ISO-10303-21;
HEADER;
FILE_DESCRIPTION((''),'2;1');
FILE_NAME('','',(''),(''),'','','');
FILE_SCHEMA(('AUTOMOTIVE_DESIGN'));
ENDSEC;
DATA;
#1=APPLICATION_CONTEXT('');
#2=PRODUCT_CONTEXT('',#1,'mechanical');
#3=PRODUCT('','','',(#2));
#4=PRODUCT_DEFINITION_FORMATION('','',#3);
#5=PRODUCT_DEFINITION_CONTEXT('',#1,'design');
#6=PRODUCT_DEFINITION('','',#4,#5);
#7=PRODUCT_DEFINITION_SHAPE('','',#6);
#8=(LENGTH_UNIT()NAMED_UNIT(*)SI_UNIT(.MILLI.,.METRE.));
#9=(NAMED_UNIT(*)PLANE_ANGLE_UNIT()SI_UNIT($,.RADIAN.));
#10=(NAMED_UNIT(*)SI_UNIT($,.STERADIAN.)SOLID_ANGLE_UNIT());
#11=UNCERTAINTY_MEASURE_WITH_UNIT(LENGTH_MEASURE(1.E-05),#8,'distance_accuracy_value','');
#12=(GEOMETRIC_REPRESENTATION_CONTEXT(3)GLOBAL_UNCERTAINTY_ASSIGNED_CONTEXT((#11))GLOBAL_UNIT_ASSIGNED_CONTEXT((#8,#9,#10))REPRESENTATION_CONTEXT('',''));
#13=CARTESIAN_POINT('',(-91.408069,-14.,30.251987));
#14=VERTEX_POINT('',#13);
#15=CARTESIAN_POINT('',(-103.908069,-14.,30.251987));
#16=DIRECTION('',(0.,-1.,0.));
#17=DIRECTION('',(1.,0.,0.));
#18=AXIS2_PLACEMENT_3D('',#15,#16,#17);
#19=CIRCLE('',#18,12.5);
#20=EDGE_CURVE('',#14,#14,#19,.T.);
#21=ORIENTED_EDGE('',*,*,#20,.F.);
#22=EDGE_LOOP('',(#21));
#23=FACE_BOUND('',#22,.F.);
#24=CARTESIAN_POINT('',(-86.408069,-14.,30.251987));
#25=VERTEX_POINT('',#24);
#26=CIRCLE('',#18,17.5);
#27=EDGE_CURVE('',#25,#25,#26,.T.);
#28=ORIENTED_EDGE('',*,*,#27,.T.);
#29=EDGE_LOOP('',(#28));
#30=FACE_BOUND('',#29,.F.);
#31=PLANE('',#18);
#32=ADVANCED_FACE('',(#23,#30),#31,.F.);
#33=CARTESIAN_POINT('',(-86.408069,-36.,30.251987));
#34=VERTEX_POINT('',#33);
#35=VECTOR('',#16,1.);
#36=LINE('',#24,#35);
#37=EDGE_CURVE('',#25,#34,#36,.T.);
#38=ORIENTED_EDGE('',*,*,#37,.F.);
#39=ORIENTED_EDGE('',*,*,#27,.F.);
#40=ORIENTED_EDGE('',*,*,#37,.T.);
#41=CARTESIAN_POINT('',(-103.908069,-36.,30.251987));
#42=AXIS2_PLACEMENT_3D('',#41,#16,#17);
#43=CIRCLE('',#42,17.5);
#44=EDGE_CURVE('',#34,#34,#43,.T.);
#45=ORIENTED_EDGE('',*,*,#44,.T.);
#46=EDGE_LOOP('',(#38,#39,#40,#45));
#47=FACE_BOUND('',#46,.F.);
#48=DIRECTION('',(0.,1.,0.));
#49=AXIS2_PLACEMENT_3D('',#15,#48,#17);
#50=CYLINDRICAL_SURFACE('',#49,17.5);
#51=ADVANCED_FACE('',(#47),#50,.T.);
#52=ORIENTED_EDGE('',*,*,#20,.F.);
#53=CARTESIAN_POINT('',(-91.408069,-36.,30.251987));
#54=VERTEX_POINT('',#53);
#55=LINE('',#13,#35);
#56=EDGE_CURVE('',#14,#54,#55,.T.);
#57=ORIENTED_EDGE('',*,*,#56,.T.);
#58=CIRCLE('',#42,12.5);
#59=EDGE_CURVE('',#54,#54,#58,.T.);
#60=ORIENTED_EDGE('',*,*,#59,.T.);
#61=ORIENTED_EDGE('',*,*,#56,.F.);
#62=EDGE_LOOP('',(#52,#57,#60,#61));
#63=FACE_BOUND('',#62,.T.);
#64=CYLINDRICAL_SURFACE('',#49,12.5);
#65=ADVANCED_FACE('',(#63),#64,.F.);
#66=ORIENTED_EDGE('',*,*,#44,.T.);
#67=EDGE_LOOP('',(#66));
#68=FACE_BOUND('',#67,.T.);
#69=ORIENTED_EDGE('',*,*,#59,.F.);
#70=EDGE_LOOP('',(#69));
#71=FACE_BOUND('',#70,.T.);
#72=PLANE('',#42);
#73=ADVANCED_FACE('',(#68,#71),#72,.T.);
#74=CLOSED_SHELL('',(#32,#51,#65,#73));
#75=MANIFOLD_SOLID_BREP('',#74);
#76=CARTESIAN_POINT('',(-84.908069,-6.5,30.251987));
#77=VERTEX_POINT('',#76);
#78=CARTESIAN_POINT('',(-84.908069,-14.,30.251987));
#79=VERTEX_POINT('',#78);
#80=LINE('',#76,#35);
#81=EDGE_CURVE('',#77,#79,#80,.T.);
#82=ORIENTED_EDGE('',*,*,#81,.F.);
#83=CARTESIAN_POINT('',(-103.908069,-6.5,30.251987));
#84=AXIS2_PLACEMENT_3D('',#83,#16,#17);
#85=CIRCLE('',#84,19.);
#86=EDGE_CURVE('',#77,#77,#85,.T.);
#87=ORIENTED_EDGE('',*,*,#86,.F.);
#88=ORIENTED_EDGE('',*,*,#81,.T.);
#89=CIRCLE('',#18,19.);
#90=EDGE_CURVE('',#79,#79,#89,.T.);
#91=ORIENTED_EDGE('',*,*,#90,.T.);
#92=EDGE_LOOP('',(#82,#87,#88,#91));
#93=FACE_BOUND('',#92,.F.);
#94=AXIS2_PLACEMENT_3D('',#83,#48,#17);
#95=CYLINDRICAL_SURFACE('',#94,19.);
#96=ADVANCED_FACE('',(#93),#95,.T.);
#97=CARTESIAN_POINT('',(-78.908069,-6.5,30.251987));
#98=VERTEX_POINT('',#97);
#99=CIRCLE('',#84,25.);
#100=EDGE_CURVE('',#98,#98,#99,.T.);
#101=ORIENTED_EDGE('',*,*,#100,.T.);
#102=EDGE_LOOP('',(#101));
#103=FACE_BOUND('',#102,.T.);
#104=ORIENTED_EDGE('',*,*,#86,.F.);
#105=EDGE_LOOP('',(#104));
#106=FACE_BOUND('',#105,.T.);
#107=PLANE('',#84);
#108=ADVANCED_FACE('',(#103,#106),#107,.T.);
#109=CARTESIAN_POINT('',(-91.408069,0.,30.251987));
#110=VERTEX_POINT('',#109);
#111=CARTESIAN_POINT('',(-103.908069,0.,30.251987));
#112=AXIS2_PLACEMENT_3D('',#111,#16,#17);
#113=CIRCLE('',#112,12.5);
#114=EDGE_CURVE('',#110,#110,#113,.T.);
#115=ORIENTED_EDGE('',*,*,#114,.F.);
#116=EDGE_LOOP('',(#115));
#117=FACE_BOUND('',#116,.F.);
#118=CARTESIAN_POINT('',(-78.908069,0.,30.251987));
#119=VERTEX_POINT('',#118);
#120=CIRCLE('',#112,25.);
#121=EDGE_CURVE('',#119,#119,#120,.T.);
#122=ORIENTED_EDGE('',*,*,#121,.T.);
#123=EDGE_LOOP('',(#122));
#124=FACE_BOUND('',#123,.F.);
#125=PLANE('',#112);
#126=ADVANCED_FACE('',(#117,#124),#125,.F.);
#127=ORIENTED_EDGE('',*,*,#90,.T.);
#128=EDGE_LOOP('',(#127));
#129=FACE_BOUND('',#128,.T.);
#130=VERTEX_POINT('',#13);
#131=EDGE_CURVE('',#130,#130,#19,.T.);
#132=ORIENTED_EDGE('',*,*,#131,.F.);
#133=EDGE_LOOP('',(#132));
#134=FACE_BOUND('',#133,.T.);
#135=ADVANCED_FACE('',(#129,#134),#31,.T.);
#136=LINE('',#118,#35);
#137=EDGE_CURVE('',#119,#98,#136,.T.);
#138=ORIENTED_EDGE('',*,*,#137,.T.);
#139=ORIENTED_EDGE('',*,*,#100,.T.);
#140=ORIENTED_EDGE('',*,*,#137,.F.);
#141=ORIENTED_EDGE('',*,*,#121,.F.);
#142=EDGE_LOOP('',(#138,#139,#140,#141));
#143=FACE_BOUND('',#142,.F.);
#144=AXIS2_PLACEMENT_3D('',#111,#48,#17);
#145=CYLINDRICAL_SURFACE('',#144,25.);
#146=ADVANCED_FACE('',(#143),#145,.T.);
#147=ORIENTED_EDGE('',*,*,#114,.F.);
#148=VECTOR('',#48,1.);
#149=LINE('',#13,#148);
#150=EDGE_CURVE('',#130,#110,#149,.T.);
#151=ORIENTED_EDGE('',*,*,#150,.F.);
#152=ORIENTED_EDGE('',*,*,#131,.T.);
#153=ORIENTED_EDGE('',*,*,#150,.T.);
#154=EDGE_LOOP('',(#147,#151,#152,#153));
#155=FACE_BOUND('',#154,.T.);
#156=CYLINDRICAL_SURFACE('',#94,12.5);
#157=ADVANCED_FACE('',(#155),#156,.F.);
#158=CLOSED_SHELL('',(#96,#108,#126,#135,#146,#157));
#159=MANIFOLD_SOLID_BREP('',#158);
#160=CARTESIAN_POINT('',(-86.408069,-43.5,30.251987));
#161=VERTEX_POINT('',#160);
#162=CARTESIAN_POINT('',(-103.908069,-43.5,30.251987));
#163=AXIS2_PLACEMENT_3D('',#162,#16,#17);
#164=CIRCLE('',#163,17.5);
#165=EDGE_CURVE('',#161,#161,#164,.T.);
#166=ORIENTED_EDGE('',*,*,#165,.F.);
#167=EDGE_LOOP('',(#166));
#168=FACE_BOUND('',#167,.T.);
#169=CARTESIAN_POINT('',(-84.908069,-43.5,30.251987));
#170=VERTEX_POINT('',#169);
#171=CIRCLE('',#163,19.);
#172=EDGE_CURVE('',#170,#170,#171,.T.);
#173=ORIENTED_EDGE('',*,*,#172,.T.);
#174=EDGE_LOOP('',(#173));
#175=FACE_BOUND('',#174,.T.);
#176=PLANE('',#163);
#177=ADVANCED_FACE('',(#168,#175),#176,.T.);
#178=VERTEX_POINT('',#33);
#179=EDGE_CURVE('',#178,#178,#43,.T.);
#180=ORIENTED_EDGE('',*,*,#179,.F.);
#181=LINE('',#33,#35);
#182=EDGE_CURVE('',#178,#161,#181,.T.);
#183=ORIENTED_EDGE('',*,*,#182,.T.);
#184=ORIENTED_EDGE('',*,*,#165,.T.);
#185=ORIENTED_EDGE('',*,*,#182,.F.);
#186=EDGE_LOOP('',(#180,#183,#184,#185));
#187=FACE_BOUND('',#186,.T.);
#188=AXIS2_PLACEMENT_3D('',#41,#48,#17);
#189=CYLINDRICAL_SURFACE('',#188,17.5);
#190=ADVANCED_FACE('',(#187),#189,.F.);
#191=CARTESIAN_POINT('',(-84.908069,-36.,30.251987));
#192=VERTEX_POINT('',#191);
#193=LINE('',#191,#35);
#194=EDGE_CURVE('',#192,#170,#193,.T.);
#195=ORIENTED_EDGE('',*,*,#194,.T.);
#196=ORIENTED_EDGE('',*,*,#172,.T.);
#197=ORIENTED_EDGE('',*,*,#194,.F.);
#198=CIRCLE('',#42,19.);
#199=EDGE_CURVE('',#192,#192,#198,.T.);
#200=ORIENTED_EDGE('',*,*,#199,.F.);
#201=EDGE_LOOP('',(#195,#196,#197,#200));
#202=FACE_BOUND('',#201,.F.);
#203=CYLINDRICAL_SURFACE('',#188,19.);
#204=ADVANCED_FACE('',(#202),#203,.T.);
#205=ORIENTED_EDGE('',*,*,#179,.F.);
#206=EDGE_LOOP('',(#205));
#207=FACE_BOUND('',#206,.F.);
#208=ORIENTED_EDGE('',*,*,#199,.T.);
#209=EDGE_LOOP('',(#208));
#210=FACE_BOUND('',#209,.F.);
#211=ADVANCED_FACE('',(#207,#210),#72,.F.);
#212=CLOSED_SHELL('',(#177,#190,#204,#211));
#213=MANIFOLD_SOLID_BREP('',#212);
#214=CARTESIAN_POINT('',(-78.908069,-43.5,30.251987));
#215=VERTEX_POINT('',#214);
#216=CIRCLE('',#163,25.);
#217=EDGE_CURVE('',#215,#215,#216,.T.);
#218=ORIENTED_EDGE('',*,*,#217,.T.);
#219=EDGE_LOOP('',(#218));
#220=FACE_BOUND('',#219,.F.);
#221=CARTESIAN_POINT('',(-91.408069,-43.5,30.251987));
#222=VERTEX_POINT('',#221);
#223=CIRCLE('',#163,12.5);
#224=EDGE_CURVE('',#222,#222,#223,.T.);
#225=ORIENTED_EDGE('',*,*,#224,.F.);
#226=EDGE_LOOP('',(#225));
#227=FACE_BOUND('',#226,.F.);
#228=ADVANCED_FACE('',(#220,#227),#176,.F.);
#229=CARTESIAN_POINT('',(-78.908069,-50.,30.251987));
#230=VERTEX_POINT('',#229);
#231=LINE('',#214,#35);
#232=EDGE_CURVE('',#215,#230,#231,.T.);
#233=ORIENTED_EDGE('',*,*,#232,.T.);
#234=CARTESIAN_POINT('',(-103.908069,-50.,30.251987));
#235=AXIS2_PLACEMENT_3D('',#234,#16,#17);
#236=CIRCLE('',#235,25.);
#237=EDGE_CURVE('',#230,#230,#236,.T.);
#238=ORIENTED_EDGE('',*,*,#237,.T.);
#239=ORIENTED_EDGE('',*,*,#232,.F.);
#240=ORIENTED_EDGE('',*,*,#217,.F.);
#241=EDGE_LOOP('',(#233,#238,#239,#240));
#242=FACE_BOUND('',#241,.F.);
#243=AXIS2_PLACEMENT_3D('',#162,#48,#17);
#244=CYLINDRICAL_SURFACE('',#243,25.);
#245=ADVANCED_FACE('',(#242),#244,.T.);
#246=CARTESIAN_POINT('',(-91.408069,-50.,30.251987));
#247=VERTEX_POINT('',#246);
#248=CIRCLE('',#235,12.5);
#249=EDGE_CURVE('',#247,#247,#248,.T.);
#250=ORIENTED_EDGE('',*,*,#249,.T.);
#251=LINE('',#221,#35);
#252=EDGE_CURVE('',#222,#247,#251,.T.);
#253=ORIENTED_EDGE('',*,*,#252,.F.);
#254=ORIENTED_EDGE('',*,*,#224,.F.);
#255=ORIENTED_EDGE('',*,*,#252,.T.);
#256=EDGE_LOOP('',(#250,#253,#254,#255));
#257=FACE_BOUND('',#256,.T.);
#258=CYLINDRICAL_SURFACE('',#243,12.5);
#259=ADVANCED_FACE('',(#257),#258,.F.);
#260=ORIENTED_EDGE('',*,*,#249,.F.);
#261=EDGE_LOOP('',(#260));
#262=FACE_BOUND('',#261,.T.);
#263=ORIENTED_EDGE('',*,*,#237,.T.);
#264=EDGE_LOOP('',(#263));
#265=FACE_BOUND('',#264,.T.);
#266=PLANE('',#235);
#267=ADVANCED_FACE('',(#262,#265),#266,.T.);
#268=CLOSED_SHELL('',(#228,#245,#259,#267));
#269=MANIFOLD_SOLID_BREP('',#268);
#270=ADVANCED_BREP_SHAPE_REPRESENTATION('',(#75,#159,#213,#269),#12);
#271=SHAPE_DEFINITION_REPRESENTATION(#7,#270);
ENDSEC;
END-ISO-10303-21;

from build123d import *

# Parameters (mm, degrees)
F0_R     = 25
F0_R_2   = 12.5
F1_DEPTH = 6.5
F2_R     = 19
F2_R_2   = 12.5
F3_DEPTH = 7.5
F4_R     = 17.5
F4_R_2   = 12.5
F5_DEPTH = 22
F6_R     = 19
F6_R_2   = 17.5
F7_DEPTH = 7.5
F8_R     = 25
F8_R_2   = 19
F8_R_3   = 17.5
F8_R_4   = 12.5
F9_DEPTH = 6.5


with BuildPart() as f1:
    # F0 (on Front) → F1 (new body)
    with BuildSketch(Plane.XZ):
        with Locations((-103.9080694318, 30.2519872785)):
            Circle(F0_R)
        with Locations((-103.9080694318, 30.2519872785)):
            Circle(F0_R_2, mode=Mode.SUBTRACT)
    extrude(amount=F1_DEPTH)

    # F2 (on face) → F3 (join)
    with BuildSketch(Plane.XZ.offset(6.5)):
        with Locations((-103.9080694318, 30.2519872785)):
            Circle(F2_R)
        with Locations((-103.9080694318, 30.2519872785)):
            Circle(F2_R_2, mode=Mode.SUBTRACT)
    extrude(amount=F3_DEPTH)


with BuildPart() as f5:
    # F4 (on face) → F5 (new body)
    with BuildSketch(Plane.XZ.offset(14)):
        with Locations((-103.9080694318, 30.2519872785)):
            Circle(F4_R)
        with Locations((-103.9080694318, 30.2519872785)):
            Circle(F4_R_2, mode=Mode.SUBTRACT)
    extrude(amount=F5_DEPTH)


with BuildPart() as f7:
    # F6 (on face) → F7 (new body)
    with BuildSketch(Plane.XZ.offset(36)):
        with Locations((-103.9080694318, 30.2519872785)):
            Circle(F6_R)
        with Locations((-103.9080694318, 30.2519872785)):
            Circle(F6_R_2, mode=Mode.SUBTRACT)
    extrude(amount=F7_DEPTH)


with BuildPart() as f9:
    # F8 (on face) → F9 (new body)
    with BuildSketch(Plane.XZ.offset(43.5)):
        with Locations((-103.9080694318, 30.2519872785)):
            Circle(F8_R)
        with Locations((-103.9080694318, 30.2519872785)):
            Circle(F8_R_2, mode=Mode.SUBTRACT)
        with Locations((-103.9080694318, 30.2519872785)):
            Circle(F8_R_2)
        with Locations((-103.9080694318, 30.2519872785)):
            Circle(F8_R_3, mode=Mode.SUBTRACT)
        with Locations((-103.9080694318, 30.2519872785)):
            Circle(F8_R_3)
        with Locations((-103.9080694318, 30.2519872785)):
            Circle(F8_R_4, mode=Mode.SUBTRACT)
    extrude(amount=F9_DEPTH)


solid = Compound([f1.part, f5.part, f7.part, f9.part])
